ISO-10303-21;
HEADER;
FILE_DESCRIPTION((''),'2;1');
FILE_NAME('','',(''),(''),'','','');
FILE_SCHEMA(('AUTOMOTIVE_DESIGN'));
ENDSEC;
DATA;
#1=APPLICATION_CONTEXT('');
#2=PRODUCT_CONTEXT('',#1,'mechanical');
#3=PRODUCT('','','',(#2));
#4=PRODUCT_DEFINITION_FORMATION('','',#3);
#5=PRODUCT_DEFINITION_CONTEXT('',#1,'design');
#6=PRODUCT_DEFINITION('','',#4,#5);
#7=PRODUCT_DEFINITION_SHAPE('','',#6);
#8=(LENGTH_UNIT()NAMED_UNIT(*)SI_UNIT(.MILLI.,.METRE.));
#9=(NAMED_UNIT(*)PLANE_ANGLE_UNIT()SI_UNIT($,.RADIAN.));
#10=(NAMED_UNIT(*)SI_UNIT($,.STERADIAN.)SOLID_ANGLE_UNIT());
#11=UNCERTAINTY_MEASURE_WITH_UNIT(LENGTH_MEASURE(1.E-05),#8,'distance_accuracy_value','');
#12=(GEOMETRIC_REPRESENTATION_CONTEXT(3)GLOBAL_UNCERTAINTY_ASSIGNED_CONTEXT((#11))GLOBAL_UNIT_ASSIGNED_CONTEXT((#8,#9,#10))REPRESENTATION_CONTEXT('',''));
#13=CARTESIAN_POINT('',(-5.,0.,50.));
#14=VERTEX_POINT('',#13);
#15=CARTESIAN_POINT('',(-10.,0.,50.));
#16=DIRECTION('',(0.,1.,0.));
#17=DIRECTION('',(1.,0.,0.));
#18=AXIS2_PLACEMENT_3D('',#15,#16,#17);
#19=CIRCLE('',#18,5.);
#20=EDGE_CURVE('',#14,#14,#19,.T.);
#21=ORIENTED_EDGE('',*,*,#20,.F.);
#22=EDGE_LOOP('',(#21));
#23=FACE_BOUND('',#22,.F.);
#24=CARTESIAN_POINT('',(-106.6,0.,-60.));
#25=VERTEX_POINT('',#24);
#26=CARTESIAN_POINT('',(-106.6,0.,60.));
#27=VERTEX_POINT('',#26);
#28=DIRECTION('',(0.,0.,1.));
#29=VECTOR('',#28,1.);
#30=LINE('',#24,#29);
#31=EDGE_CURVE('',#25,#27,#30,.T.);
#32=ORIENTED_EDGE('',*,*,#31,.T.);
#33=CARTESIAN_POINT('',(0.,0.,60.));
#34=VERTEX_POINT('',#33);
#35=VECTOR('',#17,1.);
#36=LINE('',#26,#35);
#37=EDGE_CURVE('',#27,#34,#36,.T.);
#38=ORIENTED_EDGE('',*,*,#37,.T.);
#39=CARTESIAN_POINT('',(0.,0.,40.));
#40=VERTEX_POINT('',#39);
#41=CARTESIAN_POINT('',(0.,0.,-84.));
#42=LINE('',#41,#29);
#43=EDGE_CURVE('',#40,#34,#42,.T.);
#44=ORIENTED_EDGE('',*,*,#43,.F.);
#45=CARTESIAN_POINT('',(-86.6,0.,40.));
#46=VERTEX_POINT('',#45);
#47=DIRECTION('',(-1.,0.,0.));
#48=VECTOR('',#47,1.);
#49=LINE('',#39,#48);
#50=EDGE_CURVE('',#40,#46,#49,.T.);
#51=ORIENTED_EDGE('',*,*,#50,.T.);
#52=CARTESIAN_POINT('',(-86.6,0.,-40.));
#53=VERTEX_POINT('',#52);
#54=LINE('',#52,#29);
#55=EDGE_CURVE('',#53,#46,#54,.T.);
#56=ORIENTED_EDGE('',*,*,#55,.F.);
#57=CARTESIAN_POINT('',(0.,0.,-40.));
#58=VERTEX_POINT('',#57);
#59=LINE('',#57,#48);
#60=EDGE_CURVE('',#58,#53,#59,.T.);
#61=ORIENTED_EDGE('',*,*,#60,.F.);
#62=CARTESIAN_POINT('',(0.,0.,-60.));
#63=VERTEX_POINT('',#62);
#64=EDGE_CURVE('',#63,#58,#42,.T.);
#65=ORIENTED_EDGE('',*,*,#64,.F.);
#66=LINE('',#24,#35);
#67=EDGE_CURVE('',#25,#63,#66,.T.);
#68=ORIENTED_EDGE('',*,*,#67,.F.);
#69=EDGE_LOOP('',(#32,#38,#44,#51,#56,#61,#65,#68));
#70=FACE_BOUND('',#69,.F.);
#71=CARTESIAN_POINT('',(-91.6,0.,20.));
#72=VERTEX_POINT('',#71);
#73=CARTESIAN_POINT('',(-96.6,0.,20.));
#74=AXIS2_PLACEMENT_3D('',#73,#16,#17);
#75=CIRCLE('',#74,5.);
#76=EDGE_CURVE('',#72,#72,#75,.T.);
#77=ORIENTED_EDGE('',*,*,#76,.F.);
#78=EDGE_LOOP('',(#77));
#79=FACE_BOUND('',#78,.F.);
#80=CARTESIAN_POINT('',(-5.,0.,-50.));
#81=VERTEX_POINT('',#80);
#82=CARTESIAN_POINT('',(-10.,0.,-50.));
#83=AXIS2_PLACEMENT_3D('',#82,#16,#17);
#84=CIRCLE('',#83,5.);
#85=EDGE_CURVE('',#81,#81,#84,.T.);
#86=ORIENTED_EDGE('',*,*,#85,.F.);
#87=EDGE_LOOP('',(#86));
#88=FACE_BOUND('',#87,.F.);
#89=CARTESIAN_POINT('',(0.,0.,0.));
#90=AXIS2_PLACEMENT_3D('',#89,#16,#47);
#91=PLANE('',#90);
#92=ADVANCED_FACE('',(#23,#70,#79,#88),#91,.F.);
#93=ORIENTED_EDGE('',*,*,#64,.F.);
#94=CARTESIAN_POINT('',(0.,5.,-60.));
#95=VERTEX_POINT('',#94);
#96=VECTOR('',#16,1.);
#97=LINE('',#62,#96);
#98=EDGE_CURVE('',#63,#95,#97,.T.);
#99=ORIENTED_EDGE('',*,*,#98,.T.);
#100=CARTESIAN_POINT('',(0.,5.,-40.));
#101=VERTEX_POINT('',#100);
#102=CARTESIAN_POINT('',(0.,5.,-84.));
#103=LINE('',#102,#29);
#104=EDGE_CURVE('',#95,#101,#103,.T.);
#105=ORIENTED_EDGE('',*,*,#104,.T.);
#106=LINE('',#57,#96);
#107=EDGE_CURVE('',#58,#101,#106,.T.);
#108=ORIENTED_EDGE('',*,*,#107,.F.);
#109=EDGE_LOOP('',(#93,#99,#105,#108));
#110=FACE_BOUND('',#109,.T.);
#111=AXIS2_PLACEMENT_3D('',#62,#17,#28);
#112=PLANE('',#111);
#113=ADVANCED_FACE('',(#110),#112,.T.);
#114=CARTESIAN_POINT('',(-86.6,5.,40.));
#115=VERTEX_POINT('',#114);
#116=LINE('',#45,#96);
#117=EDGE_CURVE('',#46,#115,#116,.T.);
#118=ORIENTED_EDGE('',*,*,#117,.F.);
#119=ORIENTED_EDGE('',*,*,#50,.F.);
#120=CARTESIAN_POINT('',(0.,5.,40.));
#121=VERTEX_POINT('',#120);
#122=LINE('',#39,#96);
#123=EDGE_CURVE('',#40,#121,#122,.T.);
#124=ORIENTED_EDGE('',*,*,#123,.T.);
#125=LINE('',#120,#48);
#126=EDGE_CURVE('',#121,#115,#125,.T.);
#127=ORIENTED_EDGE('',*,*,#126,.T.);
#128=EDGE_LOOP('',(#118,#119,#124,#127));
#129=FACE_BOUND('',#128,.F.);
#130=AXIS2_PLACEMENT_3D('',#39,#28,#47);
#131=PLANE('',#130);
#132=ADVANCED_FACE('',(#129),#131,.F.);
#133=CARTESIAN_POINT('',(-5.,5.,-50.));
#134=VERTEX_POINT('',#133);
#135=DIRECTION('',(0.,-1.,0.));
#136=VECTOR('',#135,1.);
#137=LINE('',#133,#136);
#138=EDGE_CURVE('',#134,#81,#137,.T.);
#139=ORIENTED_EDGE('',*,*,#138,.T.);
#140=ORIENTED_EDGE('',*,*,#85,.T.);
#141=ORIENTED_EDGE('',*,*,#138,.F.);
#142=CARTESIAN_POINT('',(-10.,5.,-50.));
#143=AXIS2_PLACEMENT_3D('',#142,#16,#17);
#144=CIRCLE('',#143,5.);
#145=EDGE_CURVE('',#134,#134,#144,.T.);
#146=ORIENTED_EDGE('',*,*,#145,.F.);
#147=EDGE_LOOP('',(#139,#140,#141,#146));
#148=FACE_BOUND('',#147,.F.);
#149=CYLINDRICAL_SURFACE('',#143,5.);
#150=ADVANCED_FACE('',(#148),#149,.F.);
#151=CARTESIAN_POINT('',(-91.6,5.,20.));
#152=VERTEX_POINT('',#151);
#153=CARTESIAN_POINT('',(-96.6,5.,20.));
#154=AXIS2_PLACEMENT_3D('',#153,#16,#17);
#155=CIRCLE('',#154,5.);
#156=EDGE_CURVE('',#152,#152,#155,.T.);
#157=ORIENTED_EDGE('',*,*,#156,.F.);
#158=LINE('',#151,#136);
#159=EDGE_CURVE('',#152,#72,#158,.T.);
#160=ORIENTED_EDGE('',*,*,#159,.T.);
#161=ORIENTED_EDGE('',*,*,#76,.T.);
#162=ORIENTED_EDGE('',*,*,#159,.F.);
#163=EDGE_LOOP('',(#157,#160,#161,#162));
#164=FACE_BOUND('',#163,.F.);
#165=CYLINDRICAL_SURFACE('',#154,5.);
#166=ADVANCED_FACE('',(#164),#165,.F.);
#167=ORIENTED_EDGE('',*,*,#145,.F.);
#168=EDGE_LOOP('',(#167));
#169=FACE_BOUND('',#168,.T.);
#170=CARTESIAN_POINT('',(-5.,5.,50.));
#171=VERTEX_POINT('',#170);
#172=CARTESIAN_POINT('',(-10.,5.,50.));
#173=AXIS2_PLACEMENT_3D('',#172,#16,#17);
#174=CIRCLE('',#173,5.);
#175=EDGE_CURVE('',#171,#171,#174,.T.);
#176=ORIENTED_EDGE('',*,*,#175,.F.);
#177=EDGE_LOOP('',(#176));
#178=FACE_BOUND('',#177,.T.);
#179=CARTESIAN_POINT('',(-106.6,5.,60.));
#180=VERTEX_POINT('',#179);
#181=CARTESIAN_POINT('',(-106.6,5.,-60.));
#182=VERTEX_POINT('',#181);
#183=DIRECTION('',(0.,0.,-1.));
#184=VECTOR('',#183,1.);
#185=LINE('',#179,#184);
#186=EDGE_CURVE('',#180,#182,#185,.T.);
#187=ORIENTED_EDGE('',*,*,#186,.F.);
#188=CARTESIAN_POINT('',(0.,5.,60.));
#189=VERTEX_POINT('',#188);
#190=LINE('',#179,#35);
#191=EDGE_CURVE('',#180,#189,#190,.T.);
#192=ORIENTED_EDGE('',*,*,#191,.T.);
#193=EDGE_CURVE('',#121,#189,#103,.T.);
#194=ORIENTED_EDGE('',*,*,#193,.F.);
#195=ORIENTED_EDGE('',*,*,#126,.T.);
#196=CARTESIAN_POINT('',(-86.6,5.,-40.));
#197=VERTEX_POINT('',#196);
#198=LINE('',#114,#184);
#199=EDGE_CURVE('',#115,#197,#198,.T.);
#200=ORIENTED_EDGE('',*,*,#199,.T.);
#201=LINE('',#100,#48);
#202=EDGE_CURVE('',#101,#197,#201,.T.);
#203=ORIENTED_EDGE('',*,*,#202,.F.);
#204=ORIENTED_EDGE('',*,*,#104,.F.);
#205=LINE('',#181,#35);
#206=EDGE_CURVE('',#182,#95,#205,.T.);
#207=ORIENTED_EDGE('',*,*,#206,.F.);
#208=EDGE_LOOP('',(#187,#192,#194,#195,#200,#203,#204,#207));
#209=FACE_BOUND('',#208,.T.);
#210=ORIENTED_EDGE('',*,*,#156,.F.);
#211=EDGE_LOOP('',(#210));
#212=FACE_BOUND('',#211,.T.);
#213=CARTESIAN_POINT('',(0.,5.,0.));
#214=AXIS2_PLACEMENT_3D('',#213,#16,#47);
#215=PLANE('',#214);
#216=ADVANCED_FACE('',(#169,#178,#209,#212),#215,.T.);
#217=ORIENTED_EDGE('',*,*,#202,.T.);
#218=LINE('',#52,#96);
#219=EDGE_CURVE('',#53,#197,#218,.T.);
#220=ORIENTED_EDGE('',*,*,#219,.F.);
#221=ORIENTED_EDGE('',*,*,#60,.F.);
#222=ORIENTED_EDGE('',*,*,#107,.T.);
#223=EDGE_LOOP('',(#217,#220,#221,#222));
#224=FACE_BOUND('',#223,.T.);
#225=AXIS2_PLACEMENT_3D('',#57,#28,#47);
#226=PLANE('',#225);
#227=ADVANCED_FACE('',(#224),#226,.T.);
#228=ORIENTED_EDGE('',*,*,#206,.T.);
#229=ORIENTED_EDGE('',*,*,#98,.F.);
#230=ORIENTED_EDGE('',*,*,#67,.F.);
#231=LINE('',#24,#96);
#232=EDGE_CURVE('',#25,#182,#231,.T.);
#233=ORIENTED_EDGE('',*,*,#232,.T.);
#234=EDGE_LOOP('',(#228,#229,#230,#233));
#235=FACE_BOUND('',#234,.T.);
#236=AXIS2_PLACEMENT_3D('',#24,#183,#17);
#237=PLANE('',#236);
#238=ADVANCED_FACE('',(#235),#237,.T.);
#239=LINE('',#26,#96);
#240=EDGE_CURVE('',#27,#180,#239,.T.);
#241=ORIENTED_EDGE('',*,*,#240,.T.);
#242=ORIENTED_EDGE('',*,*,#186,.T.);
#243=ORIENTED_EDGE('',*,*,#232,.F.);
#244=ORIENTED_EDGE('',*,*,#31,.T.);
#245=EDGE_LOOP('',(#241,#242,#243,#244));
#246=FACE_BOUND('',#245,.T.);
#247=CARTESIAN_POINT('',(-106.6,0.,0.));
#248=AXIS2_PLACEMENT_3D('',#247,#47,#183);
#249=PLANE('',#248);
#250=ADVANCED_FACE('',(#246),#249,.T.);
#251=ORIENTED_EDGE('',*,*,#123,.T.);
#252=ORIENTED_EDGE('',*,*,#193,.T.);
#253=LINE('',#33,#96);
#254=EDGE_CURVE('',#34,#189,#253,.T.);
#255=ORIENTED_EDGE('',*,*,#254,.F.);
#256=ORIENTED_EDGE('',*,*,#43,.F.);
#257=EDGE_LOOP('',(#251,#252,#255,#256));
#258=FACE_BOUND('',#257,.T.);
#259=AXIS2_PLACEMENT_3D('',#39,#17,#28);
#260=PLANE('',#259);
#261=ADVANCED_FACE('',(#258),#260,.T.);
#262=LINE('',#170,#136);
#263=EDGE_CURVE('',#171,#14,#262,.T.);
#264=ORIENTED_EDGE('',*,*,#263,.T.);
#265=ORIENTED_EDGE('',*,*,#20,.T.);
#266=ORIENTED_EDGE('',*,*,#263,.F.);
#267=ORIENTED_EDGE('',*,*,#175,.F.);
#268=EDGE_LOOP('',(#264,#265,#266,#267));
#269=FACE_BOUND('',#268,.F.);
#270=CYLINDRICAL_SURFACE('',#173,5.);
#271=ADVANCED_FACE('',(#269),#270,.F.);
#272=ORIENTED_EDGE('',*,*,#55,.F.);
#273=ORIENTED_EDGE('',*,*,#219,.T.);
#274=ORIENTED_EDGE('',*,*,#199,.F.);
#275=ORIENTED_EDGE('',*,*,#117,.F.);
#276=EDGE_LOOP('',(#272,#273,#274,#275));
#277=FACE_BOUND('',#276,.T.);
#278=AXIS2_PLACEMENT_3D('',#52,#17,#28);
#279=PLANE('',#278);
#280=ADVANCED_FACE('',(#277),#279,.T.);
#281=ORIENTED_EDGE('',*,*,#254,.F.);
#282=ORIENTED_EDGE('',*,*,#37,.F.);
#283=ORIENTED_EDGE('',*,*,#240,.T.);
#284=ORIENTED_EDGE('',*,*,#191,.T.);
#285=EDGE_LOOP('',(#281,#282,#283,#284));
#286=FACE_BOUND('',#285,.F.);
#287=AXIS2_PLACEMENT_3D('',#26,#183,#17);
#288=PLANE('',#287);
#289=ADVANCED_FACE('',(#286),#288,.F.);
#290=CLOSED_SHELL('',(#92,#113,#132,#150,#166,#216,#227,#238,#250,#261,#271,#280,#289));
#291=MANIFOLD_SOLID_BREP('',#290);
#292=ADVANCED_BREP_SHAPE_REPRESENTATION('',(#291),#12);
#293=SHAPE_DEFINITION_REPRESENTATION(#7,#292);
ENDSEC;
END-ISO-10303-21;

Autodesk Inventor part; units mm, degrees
ref_plane "YZ Plane" through (0, 0, 0) normal (1, 0, 0) x (0, 1, 0)
ref_plane "XZ Plane" through (0, 0, 0) normal (0, 1, 0) x (-1, 0, 0)
ref_plane "XY Plane" through (0, 0, 0) normal (0, 0, 1) x (1, 0, 0)
sketch "スケッチ1" plane through (0, 0, 0) normal (0, 1, 0) x (-1, 0, 0)
  line L0 (127.92, 0) -> (-21.32, 0) projected
  line L1 (0, -84) -> (0, 84) projected
  line L2 (106.6, 0) -> (106.6, -60)
  line L3 (106.6, -60) -> (0, -60)
  line L4 (0, -40) -> (86.6, -40)
  line L5 (86.6, -40) -> (86.6, 0)
  line L6 (106.6, 0) -> (106.6, 60)
  line L7 (106.6, 60) -> (0, 60)
  line L8 (0, 40) -> (86.6, 40)
  line L9 (86.6, 40) -> (86.6, 0)
  line L10 (0, 60) -> (0, 40)
  line L11 (0, -40) -> (0, -60)
  point P0 (0, 0)
  dimension "d0" = 20
  dimension "d4" = 20
  dimension "d15" = 60
  dimension "d16" = 106.6
extrude "押し出し1" add sketch "スケッチ1" along normal blind 5 contours L2 L3 L1 L4 L5 L0 | L0 L9 L8 L1 L7 L6
sketch "スケッチ2" plane through (0, 5, 0) normal (0, 1, 0) x (1, 0, 0)
  circle A0 centre (-10, -50) radius 5
  line L0 (0, -60) -> (0, -40) projected
  line L1 (-106.6, -60) -> (0, -60) projected
  line L2 (-127.92, 0) -> (21.32, 0) projected
  circle A1 centre (-10, 50) radius 5
  circle A2 centre (-96.6, -20) radius 5
  line L3 (-86.6, -40) -> (-86.6, 40) projected
  point P0 (0, 0)
  dimension "d8" = 10
  dimension "d9" = 10
  dimension "d10" = 10
  dimension "d11" = 10
  dimension "d12" = 10
  dimension "d17" = 30
extrude "押し出し2" cut sketch "スケッチ2" against normal blind 5
properties part number "bogie_square_alt" material "アルミニウム 6061"
